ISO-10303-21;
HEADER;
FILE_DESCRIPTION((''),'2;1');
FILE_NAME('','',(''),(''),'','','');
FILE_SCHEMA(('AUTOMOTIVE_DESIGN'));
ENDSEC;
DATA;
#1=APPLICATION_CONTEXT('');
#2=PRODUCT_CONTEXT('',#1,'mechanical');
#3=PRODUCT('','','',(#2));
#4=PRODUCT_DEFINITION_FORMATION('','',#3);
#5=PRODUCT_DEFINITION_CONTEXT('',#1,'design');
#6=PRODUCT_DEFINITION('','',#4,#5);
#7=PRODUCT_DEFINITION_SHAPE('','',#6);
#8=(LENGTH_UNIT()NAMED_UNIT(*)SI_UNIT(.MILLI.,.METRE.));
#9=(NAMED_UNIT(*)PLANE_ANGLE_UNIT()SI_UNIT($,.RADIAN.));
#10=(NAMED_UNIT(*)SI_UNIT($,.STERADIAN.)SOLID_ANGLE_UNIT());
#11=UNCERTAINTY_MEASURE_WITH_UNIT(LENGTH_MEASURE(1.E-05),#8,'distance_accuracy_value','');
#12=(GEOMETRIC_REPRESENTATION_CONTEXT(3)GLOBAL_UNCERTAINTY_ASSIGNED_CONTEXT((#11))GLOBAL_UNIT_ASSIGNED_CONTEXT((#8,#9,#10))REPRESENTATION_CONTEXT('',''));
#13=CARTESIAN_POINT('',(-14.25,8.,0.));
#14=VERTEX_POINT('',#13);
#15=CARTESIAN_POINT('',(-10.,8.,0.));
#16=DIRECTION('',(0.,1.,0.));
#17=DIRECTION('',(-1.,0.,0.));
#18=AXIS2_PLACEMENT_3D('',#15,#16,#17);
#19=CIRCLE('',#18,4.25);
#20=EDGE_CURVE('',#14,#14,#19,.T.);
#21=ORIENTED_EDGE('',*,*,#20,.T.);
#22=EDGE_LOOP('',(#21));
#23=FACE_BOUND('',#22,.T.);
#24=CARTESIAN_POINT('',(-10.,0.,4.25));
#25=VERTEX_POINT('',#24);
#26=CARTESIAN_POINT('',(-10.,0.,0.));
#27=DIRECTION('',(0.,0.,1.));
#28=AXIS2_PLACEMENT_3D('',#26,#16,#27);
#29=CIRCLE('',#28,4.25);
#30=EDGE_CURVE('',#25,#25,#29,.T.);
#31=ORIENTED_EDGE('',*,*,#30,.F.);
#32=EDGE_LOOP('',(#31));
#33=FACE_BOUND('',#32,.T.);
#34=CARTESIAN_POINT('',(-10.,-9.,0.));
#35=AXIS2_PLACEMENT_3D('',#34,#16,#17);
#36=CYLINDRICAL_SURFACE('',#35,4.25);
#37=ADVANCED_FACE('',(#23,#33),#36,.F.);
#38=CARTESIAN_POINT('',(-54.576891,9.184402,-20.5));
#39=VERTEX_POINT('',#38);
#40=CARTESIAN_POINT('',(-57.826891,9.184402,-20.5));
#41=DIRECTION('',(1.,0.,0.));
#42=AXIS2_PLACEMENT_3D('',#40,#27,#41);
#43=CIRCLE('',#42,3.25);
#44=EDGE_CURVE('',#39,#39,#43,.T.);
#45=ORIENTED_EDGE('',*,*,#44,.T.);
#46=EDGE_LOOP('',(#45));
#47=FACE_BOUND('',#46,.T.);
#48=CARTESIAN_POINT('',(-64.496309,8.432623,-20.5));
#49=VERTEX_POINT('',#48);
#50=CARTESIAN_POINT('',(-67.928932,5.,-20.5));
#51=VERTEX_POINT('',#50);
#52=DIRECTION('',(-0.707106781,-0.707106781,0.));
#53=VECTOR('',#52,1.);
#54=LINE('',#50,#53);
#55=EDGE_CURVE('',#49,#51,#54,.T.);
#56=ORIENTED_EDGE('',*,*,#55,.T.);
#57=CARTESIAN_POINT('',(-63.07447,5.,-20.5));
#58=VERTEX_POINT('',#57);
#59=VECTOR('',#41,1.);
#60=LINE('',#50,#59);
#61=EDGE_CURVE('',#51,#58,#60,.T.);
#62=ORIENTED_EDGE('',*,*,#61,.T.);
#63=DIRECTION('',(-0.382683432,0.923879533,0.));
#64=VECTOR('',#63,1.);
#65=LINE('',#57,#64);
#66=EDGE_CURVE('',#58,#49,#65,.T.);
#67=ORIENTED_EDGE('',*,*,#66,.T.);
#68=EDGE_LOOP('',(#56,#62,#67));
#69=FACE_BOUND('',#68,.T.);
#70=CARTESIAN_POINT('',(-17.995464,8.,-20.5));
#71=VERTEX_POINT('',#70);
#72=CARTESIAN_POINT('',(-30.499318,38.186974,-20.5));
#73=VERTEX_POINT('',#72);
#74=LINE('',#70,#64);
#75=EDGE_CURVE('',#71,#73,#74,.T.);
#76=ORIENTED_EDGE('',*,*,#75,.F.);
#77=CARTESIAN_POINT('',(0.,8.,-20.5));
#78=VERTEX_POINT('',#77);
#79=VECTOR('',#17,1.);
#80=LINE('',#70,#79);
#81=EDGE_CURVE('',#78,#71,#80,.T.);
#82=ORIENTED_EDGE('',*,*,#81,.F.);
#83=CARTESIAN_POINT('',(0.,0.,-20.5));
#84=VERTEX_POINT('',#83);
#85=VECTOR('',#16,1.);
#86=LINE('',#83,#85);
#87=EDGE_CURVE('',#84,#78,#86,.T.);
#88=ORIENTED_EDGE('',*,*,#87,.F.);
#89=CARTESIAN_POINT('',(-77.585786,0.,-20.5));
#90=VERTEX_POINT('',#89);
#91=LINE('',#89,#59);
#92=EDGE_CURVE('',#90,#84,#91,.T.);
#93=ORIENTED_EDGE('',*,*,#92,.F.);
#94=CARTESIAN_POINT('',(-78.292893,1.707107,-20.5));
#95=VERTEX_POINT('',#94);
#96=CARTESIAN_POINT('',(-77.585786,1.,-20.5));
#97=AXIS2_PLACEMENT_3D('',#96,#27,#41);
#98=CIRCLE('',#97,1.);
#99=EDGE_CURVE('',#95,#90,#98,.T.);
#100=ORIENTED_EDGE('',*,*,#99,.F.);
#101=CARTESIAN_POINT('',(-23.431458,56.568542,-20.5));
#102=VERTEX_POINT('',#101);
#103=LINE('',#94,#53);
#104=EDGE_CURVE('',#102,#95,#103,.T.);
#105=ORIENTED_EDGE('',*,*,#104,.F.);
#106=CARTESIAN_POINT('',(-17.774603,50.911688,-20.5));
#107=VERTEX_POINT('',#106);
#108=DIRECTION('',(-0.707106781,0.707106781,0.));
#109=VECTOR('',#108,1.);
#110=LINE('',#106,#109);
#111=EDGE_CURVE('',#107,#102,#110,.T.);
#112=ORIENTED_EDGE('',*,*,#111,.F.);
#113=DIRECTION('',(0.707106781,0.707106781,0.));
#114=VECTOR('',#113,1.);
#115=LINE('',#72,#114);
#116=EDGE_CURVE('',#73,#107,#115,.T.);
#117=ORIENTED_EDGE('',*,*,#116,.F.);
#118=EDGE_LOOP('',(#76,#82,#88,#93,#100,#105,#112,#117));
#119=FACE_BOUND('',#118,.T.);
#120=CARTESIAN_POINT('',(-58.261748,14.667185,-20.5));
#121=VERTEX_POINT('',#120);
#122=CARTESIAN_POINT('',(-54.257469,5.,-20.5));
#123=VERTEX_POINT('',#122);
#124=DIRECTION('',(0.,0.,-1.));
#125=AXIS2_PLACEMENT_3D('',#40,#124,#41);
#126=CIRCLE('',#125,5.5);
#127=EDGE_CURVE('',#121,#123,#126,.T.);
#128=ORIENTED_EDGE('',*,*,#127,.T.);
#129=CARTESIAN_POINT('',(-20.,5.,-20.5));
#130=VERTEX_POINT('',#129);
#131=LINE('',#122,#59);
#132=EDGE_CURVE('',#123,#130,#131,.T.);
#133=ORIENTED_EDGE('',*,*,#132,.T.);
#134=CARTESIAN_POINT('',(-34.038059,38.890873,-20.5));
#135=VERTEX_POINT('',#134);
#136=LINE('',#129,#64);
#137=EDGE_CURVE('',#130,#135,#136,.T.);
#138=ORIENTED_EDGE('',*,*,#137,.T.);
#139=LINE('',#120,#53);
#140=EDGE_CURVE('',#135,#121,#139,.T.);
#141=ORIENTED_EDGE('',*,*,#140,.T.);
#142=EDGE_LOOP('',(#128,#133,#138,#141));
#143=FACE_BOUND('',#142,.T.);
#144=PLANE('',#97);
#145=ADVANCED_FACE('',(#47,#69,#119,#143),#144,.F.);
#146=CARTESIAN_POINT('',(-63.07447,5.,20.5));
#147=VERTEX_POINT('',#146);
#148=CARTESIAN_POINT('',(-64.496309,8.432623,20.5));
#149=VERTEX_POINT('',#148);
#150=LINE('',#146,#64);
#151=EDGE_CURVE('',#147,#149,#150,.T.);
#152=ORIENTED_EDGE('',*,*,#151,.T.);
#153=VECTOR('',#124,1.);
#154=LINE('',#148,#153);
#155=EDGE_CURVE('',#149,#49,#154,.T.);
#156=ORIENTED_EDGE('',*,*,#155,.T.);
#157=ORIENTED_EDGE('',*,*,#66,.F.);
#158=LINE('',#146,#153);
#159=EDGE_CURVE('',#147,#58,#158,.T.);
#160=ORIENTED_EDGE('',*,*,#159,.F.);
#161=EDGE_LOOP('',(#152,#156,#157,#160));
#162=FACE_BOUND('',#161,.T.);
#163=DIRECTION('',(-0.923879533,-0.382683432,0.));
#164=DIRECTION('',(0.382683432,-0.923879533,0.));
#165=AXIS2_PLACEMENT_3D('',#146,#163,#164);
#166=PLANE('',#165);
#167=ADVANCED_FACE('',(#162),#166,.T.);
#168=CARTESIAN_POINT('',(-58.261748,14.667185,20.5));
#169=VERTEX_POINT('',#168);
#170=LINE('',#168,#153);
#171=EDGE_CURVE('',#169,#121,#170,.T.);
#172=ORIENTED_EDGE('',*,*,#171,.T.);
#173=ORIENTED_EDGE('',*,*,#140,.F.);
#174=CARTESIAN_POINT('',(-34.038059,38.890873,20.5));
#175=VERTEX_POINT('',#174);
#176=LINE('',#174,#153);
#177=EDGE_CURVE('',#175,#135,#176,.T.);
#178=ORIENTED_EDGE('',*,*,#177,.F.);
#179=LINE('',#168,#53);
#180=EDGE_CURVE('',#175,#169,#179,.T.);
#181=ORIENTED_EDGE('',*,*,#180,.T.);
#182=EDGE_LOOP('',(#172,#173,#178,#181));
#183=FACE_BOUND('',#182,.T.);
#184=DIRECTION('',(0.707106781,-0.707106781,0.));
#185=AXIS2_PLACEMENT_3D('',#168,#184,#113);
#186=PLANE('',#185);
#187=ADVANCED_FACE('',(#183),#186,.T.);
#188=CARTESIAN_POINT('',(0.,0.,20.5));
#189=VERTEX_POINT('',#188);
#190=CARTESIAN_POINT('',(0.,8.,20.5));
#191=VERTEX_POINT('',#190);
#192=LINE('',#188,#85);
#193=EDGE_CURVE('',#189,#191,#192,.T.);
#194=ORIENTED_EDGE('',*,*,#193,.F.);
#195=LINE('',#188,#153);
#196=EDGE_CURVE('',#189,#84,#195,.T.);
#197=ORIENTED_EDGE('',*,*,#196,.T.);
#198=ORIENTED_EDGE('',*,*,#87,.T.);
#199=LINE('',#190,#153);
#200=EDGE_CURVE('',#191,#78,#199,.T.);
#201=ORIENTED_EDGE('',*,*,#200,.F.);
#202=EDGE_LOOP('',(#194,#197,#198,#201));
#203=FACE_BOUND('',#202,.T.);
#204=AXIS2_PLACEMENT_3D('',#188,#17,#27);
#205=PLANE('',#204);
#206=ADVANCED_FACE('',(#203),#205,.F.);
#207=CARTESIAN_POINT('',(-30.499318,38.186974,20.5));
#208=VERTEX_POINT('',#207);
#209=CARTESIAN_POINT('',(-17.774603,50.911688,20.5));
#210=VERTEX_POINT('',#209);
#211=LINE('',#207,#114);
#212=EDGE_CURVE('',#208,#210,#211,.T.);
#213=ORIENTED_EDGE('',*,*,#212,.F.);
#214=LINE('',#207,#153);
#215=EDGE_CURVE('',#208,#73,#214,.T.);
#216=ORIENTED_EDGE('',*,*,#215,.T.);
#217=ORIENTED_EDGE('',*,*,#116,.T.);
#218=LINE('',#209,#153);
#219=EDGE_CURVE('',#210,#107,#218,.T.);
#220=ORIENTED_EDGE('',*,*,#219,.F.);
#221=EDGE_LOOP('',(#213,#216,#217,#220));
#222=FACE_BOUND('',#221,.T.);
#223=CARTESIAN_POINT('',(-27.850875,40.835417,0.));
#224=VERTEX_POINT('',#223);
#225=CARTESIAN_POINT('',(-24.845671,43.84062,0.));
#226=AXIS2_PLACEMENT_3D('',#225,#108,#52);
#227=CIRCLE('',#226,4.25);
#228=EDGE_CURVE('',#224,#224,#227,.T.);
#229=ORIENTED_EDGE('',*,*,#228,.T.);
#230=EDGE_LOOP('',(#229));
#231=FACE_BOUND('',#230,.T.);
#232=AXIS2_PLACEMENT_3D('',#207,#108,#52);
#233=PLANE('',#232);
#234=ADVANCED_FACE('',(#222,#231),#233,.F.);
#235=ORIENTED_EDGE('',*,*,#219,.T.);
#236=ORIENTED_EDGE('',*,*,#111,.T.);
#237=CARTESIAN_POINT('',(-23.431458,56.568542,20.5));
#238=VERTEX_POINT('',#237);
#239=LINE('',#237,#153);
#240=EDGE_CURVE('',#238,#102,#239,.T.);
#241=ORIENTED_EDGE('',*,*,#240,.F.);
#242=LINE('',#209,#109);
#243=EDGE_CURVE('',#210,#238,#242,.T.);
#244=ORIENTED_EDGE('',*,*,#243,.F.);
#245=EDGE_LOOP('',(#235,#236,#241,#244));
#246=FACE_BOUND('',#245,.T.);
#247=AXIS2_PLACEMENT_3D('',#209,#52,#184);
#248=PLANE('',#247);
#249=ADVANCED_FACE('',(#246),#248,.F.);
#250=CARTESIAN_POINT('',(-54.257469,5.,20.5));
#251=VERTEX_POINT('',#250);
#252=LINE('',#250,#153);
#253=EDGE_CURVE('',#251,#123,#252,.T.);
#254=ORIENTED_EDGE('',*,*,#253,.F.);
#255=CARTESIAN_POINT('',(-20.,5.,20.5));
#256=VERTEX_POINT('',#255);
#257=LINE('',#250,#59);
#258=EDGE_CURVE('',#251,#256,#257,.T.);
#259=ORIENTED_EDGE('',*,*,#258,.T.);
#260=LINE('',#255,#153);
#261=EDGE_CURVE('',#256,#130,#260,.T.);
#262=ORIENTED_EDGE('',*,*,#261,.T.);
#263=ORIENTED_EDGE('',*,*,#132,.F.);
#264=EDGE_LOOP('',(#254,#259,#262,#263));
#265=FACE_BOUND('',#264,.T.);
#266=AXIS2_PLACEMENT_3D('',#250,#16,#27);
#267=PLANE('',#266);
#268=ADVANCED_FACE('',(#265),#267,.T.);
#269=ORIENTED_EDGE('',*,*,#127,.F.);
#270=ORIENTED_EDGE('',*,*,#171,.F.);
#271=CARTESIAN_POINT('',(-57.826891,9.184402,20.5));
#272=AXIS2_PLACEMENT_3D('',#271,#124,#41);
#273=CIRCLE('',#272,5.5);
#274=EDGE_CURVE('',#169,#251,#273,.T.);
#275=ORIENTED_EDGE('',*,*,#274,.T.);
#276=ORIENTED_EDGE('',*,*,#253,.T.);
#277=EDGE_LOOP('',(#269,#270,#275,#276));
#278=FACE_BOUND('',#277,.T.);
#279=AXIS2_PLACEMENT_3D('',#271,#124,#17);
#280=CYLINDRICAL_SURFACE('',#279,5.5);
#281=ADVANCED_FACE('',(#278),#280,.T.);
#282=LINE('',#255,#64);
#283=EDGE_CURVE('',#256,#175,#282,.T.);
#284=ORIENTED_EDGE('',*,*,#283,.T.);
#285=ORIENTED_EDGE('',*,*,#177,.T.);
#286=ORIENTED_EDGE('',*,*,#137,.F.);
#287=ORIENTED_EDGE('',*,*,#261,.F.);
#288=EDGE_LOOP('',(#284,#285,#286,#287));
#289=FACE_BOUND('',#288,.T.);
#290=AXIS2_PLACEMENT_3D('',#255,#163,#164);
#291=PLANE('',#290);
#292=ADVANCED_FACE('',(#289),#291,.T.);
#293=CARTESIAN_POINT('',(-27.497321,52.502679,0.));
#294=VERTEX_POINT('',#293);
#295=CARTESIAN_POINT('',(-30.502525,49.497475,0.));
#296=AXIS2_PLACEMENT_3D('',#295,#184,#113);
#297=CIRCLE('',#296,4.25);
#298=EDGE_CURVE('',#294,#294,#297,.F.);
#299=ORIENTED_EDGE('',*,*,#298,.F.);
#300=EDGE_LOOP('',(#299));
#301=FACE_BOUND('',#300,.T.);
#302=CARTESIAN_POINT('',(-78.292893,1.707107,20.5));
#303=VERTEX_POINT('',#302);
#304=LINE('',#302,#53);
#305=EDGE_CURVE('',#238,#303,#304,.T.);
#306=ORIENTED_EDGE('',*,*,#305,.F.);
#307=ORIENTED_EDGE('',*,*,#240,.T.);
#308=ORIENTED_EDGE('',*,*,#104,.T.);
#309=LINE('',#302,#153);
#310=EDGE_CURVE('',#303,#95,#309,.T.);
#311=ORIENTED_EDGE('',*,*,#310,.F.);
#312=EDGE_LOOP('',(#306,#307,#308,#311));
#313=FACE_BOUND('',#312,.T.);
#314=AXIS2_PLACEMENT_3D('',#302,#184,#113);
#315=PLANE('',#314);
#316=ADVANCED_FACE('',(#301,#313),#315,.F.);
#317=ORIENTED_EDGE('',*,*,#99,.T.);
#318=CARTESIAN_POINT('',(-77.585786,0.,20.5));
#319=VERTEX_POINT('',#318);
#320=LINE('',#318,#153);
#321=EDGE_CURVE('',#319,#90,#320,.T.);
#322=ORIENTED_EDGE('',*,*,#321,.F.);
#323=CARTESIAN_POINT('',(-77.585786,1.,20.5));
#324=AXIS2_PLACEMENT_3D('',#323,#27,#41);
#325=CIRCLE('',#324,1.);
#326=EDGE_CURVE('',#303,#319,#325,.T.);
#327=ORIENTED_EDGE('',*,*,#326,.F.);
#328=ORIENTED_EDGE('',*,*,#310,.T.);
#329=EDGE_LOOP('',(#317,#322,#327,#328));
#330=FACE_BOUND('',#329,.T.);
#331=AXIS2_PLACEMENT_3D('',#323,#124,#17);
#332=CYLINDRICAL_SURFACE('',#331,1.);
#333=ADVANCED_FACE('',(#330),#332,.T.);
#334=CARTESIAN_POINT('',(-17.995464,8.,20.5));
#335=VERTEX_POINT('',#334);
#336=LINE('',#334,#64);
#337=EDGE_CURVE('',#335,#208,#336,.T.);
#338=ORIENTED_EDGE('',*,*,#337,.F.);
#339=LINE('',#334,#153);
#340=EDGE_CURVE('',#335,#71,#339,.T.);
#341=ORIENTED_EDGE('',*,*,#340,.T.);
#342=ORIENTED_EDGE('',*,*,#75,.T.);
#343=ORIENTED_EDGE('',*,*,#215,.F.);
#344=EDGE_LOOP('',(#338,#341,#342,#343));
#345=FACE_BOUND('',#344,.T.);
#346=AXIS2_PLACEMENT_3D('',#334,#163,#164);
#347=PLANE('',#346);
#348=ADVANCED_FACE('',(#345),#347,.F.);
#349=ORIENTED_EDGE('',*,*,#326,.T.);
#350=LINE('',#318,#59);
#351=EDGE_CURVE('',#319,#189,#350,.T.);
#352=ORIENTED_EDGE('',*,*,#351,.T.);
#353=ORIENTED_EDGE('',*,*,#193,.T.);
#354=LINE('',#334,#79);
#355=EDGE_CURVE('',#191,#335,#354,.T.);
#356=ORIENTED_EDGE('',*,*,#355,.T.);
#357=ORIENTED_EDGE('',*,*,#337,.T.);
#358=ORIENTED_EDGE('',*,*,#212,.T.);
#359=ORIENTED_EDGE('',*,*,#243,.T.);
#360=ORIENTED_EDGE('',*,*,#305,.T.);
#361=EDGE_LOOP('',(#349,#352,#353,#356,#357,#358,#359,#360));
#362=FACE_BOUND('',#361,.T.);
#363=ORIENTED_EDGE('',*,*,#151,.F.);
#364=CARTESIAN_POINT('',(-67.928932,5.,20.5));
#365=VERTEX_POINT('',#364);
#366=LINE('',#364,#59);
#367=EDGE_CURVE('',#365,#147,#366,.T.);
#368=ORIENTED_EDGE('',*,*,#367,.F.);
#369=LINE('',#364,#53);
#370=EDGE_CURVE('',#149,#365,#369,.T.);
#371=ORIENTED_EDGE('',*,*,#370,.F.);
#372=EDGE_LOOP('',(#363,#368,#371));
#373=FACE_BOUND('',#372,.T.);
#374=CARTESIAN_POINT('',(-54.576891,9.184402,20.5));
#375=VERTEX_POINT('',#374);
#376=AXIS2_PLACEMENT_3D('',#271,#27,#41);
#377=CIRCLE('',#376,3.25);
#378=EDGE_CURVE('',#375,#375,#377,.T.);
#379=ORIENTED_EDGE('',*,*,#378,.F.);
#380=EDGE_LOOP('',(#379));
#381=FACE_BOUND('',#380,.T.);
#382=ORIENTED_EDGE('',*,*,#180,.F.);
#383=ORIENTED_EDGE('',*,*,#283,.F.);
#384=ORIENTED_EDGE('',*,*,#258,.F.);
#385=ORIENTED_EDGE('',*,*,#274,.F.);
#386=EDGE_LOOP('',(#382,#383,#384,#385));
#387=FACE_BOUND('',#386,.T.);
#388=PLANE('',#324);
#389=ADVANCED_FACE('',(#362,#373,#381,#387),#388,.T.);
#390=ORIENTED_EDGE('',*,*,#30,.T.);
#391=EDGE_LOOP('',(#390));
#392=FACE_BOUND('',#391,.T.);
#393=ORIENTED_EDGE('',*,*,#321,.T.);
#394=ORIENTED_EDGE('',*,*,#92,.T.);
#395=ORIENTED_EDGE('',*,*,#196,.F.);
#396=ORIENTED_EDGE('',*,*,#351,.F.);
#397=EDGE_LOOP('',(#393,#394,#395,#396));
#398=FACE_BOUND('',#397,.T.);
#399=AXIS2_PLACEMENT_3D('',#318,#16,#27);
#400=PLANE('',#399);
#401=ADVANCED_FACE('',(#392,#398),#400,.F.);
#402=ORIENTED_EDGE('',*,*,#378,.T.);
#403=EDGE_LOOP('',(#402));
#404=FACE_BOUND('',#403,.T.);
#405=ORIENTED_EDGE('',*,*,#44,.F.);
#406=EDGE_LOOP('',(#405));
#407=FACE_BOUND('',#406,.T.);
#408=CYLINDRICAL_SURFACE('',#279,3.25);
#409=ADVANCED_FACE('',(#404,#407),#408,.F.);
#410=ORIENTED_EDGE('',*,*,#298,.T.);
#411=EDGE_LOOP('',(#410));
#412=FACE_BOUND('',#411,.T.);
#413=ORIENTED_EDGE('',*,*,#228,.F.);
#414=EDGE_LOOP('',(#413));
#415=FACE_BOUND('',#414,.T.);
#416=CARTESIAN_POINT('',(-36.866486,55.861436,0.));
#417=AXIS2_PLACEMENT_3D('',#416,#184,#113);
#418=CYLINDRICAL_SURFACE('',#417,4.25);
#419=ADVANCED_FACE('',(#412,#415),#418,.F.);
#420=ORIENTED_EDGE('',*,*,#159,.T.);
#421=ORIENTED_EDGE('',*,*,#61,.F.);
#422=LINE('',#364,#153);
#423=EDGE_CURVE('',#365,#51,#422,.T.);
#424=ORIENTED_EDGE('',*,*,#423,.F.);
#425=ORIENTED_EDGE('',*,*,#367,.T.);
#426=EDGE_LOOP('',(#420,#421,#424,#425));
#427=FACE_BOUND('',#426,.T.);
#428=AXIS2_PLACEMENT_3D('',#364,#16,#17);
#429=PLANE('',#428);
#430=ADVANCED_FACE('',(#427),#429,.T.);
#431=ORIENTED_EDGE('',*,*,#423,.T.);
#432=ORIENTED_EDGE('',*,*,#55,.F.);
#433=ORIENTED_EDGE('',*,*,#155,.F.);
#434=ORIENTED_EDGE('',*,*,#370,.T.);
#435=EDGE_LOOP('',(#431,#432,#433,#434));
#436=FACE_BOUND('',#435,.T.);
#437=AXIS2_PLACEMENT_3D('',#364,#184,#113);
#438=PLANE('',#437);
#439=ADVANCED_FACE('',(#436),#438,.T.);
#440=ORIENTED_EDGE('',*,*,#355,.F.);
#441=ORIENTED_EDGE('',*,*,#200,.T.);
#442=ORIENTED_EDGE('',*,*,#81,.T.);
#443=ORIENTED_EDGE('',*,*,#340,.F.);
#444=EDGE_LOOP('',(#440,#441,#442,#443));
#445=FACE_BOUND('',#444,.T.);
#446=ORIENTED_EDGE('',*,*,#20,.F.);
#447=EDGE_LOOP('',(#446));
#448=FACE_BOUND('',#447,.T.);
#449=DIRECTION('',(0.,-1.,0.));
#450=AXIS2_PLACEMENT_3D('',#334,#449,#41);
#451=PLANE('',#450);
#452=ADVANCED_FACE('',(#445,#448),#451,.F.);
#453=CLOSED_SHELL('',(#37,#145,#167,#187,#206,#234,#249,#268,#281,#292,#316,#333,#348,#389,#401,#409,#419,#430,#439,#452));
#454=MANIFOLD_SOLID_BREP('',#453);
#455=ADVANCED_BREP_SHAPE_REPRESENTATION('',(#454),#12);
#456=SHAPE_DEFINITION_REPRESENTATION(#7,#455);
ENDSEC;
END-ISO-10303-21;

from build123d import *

# Parameters (mm, degrees)
SKETCH_1_R          = 3.25
EXTRUDE_1_DEPTH     = 20.5
SKETCH_3_R          = 4.25
CUT_EXTRUDE_1_DEPTH = 17


with BuildPart() as part:
    # 草图1 → 凸台-拉伸1 (new, symmetric)
    with BuildSketch(Plane.XY):
        with BuildLine():
            Line((-77.585786438, 0), (0, 0))
            Line((0, 0), (0, 8))
            Line((0, 8), (-17.995464086, 8))
            Line((-17.995464086, 8), (-30.499317942, 38.186973559))
            Line((-30.499317942, 38.186973559), (-17.774603256, 50.911688245))
            Line((-17.774603256, 50.911688245), (-23.431457505, 56.568542495))
            Line((-23.431457505, 56.568542495), (-78.292893219, 1.707106781))
            ThreePointArc((-78.292893219, 1.707106781), (-78.50966597, 0.617316568), (-77.585786438, 0))
        make_face()
        with Locations((-57.82689122, 9.184402377)):
            Circle(SKETCH_1_R, mode=Mode.SUBTRACT)
        Polygon((-67.928932188, 5), (-63.07447047, 5), (-64.496309389, 8.4326228), align=None, mode=Mode.SUBTRACT)
        with BuildLine():
            Line((-54.257468753, 5), (-20, 5))
            Line((-20, 5), (-34.038059223, 38.890872965))
            Line((-34.038059223, 38.890872965), (-58.261747684, 14.667184504))
            ThreePointArc((-58.261747684, 14.667184504), (-52.745553791, 11.289161255), (-54.257468753, 5))
        make_face(mode=Mode.SUBTRACT)
    extrude(amount=EXTRUDE_1_DEPTH, both=True)

    # 草图3 → 切除-拉伸1 (cut)
    with BuildSketch(Plane(origin=(0, 8, 0), x_dir=(1, 0, 0), z_dir=(0, 1, 0))):
        with Locations(Location((-10, 0, 0), (0, 0, 180))):
            Circle(SKETCH_3_R)
    cut_extrude_1 = extrude(amount=-CUT_EXTRUDE_1_DEPTH, mode=Mode.SUBTRACT)

    # 镜向1: 切除-拉伸1 across plane
    add(cut_extrude_1.mirror(Plane(origin=(-11.715728753, 28.284271247, 0), x_dir=(0, 0, 1), z_dir=(-0.3826834323650881, 0.9238795325112875, 0))), mode=Mode.SUBTRACT)


solid = part.part
